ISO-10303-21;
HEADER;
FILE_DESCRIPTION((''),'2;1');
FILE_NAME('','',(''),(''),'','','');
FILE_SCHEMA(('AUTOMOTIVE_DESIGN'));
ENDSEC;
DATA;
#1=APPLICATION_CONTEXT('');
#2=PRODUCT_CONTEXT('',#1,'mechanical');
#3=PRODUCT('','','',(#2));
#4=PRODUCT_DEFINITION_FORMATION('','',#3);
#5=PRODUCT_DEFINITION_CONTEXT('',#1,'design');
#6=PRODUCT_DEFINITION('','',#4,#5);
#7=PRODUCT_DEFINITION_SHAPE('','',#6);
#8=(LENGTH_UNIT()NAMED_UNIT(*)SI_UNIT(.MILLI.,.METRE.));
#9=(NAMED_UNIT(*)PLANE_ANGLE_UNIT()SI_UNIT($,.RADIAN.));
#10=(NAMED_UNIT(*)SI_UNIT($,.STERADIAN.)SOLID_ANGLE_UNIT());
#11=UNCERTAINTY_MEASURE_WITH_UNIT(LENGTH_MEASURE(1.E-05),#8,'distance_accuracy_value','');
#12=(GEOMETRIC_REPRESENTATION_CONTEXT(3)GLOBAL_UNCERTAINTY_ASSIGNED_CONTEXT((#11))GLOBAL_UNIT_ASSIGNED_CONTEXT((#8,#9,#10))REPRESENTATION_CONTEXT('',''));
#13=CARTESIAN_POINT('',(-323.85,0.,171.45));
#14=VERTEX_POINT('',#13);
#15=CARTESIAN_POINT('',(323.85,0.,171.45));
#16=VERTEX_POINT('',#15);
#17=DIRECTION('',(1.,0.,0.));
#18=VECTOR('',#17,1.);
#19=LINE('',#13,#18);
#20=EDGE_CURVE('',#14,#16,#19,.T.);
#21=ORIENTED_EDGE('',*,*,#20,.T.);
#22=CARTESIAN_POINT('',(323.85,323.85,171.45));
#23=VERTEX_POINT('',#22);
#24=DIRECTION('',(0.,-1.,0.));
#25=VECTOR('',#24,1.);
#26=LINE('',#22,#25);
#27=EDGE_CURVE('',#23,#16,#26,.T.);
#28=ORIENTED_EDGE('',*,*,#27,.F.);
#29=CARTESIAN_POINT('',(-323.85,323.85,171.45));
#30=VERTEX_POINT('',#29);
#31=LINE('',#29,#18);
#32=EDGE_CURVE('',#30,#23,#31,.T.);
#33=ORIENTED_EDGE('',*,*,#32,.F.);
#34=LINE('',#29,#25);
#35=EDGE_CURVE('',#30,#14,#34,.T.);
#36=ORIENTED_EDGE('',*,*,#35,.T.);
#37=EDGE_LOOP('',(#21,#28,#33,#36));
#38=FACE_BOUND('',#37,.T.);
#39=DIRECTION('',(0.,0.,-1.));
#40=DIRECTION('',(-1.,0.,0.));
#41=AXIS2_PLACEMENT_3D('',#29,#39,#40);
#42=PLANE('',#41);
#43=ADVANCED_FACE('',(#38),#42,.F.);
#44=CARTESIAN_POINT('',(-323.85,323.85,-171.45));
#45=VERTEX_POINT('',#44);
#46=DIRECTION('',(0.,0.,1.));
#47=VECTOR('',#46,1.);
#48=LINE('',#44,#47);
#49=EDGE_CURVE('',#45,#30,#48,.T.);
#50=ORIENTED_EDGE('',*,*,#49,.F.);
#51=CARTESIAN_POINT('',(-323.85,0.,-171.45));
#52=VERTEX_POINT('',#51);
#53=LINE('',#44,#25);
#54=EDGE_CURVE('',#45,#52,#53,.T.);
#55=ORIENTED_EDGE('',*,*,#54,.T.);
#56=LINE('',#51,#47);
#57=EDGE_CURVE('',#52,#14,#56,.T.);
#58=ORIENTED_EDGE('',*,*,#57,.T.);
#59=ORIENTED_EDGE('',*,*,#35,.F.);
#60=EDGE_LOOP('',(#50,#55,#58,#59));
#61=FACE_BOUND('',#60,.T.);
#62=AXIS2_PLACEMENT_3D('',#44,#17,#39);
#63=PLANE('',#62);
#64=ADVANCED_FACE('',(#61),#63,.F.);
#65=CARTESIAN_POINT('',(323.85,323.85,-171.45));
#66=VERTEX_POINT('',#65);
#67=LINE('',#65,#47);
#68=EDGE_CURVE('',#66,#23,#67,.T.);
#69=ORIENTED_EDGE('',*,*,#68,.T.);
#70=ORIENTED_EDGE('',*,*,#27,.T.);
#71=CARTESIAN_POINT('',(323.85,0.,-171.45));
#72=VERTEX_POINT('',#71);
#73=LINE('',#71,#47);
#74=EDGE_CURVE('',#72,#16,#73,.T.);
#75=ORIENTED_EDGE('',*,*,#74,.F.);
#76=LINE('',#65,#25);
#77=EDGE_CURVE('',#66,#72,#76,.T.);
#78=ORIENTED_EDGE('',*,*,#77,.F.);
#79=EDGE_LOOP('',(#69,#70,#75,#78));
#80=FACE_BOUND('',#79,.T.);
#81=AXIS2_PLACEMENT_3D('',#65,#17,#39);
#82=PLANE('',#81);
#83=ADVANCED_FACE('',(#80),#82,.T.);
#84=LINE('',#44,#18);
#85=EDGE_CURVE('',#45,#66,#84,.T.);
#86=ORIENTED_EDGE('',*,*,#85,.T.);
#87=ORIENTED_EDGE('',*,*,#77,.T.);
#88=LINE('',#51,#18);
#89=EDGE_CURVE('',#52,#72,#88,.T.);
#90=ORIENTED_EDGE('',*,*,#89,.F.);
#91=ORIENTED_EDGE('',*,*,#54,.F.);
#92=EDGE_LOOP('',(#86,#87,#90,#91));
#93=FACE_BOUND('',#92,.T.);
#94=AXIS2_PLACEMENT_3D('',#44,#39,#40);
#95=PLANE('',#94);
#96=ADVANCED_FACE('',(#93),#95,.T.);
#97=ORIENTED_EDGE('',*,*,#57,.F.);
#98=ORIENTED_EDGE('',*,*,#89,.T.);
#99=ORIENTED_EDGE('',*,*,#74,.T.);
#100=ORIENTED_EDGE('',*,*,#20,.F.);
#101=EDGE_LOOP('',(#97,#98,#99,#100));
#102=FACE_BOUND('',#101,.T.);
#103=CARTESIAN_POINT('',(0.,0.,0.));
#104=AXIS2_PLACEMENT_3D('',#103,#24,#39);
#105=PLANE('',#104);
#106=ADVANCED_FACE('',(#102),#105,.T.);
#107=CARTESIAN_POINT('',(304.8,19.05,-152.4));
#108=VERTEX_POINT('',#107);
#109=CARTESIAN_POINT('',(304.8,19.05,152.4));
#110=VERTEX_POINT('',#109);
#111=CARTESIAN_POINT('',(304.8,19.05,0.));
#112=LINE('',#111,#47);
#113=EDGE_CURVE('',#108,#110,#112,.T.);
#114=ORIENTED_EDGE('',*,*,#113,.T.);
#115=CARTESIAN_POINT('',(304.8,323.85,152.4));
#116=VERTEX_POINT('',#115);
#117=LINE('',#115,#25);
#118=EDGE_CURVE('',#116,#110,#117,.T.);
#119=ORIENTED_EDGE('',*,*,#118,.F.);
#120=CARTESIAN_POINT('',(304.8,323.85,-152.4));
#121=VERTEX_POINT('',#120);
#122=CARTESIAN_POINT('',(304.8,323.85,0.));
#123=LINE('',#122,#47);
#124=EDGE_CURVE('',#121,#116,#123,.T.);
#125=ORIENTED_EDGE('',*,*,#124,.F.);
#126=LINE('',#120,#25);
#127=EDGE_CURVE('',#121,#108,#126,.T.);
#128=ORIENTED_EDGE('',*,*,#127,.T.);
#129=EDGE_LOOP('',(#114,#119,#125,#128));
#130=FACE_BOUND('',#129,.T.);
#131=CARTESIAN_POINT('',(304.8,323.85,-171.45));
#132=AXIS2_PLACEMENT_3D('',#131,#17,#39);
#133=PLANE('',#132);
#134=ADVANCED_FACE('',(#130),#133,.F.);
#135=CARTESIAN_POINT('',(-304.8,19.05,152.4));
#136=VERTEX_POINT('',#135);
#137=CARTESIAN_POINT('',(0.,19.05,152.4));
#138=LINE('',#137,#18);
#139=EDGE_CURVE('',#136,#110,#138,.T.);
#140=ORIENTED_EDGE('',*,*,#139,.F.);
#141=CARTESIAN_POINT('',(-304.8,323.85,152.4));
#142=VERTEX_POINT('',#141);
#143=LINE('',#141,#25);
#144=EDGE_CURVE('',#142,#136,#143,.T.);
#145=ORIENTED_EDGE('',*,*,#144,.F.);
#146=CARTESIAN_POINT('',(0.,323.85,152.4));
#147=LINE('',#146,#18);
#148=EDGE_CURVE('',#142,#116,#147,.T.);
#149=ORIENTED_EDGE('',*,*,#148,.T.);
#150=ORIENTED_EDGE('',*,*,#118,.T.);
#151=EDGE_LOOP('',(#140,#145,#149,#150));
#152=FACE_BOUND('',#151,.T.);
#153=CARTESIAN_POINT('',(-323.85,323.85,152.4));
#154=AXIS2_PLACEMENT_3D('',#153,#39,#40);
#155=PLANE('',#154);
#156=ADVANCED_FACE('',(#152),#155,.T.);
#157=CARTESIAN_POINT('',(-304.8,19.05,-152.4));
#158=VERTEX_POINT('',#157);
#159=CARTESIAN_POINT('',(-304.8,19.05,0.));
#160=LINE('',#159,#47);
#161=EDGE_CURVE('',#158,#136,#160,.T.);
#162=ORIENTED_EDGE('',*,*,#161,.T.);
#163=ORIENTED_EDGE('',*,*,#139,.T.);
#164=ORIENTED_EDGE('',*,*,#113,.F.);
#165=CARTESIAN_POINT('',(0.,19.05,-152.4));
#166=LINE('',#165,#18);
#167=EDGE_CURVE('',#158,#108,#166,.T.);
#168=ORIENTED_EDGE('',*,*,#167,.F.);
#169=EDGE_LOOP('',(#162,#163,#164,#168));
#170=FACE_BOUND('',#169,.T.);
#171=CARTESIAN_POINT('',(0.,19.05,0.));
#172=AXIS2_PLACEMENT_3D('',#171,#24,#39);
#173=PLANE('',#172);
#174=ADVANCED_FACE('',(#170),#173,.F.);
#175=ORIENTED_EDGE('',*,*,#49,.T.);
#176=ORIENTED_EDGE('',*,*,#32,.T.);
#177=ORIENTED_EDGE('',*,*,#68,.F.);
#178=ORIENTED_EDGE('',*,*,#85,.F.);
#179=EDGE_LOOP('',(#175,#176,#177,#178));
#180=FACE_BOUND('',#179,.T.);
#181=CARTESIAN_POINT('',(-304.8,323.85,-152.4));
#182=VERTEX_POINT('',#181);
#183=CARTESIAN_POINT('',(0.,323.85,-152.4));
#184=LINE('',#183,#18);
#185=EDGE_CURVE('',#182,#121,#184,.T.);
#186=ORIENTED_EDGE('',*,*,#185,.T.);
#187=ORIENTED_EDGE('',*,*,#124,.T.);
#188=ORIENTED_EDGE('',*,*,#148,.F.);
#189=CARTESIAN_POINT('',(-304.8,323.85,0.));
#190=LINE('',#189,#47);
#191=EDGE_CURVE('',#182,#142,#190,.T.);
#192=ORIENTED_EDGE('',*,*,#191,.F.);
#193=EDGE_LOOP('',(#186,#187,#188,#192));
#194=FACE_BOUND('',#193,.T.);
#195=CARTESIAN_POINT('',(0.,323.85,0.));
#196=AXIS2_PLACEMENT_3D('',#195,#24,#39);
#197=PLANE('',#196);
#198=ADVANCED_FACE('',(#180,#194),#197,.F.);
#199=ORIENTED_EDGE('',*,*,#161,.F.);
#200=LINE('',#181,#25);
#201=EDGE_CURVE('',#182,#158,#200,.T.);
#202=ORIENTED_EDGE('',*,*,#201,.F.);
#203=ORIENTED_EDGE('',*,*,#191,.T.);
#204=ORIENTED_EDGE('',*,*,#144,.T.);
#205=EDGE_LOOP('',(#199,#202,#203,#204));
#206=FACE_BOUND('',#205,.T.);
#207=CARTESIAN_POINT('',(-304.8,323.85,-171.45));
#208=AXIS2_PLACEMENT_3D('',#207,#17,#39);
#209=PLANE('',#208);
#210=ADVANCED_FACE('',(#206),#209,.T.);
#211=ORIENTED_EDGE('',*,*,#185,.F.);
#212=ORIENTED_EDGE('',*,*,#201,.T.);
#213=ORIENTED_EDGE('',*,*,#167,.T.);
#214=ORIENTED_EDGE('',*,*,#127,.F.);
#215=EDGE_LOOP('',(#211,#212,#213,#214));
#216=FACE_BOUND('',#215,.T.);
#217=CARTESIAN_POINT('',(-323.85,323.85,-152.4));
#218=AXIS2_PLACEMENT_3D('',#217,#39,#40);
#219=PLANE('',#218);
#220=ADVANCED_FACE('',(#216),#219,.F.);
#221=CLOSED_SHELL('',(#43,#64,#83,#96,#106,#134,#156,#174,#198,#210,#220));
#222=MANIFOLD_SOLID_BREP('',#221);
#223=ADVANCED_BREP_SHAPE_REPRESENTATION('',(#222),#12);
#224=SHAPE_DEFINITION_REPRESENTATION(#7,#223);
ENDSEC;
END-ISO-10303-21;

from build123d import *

# Parameters (mm, degrees)
SKETCH2_W           = 647.7
SKETCH2_H           = 342.9
BOSS_EXTRUDE1_DEPTH = 323.85
SHELL1_T            = -19.05


with BuildPart() as part:
    # Sketch2 → Boss-Extrude1 (new body)
    with BuildSketch(Plane(origin=(0, 0, 0), x_dir=(1, 0, 0), z_dir=(0, 1, 0))):
        Rectangle(SKETCH2_W, SKETCH2_H)
    extrude(amount=BOSS_EXTRUDE1_DEPTH)

    # Shell1
    shell1_openings = [part.faces().sort_by_distance(p)[0] for p in [
        (0, 323.85, 0),
    ]]
    offset(amount=SHELL1_T, openings=shell1_openings, kind=Kind.INTERSECTION)


solid = part.part
